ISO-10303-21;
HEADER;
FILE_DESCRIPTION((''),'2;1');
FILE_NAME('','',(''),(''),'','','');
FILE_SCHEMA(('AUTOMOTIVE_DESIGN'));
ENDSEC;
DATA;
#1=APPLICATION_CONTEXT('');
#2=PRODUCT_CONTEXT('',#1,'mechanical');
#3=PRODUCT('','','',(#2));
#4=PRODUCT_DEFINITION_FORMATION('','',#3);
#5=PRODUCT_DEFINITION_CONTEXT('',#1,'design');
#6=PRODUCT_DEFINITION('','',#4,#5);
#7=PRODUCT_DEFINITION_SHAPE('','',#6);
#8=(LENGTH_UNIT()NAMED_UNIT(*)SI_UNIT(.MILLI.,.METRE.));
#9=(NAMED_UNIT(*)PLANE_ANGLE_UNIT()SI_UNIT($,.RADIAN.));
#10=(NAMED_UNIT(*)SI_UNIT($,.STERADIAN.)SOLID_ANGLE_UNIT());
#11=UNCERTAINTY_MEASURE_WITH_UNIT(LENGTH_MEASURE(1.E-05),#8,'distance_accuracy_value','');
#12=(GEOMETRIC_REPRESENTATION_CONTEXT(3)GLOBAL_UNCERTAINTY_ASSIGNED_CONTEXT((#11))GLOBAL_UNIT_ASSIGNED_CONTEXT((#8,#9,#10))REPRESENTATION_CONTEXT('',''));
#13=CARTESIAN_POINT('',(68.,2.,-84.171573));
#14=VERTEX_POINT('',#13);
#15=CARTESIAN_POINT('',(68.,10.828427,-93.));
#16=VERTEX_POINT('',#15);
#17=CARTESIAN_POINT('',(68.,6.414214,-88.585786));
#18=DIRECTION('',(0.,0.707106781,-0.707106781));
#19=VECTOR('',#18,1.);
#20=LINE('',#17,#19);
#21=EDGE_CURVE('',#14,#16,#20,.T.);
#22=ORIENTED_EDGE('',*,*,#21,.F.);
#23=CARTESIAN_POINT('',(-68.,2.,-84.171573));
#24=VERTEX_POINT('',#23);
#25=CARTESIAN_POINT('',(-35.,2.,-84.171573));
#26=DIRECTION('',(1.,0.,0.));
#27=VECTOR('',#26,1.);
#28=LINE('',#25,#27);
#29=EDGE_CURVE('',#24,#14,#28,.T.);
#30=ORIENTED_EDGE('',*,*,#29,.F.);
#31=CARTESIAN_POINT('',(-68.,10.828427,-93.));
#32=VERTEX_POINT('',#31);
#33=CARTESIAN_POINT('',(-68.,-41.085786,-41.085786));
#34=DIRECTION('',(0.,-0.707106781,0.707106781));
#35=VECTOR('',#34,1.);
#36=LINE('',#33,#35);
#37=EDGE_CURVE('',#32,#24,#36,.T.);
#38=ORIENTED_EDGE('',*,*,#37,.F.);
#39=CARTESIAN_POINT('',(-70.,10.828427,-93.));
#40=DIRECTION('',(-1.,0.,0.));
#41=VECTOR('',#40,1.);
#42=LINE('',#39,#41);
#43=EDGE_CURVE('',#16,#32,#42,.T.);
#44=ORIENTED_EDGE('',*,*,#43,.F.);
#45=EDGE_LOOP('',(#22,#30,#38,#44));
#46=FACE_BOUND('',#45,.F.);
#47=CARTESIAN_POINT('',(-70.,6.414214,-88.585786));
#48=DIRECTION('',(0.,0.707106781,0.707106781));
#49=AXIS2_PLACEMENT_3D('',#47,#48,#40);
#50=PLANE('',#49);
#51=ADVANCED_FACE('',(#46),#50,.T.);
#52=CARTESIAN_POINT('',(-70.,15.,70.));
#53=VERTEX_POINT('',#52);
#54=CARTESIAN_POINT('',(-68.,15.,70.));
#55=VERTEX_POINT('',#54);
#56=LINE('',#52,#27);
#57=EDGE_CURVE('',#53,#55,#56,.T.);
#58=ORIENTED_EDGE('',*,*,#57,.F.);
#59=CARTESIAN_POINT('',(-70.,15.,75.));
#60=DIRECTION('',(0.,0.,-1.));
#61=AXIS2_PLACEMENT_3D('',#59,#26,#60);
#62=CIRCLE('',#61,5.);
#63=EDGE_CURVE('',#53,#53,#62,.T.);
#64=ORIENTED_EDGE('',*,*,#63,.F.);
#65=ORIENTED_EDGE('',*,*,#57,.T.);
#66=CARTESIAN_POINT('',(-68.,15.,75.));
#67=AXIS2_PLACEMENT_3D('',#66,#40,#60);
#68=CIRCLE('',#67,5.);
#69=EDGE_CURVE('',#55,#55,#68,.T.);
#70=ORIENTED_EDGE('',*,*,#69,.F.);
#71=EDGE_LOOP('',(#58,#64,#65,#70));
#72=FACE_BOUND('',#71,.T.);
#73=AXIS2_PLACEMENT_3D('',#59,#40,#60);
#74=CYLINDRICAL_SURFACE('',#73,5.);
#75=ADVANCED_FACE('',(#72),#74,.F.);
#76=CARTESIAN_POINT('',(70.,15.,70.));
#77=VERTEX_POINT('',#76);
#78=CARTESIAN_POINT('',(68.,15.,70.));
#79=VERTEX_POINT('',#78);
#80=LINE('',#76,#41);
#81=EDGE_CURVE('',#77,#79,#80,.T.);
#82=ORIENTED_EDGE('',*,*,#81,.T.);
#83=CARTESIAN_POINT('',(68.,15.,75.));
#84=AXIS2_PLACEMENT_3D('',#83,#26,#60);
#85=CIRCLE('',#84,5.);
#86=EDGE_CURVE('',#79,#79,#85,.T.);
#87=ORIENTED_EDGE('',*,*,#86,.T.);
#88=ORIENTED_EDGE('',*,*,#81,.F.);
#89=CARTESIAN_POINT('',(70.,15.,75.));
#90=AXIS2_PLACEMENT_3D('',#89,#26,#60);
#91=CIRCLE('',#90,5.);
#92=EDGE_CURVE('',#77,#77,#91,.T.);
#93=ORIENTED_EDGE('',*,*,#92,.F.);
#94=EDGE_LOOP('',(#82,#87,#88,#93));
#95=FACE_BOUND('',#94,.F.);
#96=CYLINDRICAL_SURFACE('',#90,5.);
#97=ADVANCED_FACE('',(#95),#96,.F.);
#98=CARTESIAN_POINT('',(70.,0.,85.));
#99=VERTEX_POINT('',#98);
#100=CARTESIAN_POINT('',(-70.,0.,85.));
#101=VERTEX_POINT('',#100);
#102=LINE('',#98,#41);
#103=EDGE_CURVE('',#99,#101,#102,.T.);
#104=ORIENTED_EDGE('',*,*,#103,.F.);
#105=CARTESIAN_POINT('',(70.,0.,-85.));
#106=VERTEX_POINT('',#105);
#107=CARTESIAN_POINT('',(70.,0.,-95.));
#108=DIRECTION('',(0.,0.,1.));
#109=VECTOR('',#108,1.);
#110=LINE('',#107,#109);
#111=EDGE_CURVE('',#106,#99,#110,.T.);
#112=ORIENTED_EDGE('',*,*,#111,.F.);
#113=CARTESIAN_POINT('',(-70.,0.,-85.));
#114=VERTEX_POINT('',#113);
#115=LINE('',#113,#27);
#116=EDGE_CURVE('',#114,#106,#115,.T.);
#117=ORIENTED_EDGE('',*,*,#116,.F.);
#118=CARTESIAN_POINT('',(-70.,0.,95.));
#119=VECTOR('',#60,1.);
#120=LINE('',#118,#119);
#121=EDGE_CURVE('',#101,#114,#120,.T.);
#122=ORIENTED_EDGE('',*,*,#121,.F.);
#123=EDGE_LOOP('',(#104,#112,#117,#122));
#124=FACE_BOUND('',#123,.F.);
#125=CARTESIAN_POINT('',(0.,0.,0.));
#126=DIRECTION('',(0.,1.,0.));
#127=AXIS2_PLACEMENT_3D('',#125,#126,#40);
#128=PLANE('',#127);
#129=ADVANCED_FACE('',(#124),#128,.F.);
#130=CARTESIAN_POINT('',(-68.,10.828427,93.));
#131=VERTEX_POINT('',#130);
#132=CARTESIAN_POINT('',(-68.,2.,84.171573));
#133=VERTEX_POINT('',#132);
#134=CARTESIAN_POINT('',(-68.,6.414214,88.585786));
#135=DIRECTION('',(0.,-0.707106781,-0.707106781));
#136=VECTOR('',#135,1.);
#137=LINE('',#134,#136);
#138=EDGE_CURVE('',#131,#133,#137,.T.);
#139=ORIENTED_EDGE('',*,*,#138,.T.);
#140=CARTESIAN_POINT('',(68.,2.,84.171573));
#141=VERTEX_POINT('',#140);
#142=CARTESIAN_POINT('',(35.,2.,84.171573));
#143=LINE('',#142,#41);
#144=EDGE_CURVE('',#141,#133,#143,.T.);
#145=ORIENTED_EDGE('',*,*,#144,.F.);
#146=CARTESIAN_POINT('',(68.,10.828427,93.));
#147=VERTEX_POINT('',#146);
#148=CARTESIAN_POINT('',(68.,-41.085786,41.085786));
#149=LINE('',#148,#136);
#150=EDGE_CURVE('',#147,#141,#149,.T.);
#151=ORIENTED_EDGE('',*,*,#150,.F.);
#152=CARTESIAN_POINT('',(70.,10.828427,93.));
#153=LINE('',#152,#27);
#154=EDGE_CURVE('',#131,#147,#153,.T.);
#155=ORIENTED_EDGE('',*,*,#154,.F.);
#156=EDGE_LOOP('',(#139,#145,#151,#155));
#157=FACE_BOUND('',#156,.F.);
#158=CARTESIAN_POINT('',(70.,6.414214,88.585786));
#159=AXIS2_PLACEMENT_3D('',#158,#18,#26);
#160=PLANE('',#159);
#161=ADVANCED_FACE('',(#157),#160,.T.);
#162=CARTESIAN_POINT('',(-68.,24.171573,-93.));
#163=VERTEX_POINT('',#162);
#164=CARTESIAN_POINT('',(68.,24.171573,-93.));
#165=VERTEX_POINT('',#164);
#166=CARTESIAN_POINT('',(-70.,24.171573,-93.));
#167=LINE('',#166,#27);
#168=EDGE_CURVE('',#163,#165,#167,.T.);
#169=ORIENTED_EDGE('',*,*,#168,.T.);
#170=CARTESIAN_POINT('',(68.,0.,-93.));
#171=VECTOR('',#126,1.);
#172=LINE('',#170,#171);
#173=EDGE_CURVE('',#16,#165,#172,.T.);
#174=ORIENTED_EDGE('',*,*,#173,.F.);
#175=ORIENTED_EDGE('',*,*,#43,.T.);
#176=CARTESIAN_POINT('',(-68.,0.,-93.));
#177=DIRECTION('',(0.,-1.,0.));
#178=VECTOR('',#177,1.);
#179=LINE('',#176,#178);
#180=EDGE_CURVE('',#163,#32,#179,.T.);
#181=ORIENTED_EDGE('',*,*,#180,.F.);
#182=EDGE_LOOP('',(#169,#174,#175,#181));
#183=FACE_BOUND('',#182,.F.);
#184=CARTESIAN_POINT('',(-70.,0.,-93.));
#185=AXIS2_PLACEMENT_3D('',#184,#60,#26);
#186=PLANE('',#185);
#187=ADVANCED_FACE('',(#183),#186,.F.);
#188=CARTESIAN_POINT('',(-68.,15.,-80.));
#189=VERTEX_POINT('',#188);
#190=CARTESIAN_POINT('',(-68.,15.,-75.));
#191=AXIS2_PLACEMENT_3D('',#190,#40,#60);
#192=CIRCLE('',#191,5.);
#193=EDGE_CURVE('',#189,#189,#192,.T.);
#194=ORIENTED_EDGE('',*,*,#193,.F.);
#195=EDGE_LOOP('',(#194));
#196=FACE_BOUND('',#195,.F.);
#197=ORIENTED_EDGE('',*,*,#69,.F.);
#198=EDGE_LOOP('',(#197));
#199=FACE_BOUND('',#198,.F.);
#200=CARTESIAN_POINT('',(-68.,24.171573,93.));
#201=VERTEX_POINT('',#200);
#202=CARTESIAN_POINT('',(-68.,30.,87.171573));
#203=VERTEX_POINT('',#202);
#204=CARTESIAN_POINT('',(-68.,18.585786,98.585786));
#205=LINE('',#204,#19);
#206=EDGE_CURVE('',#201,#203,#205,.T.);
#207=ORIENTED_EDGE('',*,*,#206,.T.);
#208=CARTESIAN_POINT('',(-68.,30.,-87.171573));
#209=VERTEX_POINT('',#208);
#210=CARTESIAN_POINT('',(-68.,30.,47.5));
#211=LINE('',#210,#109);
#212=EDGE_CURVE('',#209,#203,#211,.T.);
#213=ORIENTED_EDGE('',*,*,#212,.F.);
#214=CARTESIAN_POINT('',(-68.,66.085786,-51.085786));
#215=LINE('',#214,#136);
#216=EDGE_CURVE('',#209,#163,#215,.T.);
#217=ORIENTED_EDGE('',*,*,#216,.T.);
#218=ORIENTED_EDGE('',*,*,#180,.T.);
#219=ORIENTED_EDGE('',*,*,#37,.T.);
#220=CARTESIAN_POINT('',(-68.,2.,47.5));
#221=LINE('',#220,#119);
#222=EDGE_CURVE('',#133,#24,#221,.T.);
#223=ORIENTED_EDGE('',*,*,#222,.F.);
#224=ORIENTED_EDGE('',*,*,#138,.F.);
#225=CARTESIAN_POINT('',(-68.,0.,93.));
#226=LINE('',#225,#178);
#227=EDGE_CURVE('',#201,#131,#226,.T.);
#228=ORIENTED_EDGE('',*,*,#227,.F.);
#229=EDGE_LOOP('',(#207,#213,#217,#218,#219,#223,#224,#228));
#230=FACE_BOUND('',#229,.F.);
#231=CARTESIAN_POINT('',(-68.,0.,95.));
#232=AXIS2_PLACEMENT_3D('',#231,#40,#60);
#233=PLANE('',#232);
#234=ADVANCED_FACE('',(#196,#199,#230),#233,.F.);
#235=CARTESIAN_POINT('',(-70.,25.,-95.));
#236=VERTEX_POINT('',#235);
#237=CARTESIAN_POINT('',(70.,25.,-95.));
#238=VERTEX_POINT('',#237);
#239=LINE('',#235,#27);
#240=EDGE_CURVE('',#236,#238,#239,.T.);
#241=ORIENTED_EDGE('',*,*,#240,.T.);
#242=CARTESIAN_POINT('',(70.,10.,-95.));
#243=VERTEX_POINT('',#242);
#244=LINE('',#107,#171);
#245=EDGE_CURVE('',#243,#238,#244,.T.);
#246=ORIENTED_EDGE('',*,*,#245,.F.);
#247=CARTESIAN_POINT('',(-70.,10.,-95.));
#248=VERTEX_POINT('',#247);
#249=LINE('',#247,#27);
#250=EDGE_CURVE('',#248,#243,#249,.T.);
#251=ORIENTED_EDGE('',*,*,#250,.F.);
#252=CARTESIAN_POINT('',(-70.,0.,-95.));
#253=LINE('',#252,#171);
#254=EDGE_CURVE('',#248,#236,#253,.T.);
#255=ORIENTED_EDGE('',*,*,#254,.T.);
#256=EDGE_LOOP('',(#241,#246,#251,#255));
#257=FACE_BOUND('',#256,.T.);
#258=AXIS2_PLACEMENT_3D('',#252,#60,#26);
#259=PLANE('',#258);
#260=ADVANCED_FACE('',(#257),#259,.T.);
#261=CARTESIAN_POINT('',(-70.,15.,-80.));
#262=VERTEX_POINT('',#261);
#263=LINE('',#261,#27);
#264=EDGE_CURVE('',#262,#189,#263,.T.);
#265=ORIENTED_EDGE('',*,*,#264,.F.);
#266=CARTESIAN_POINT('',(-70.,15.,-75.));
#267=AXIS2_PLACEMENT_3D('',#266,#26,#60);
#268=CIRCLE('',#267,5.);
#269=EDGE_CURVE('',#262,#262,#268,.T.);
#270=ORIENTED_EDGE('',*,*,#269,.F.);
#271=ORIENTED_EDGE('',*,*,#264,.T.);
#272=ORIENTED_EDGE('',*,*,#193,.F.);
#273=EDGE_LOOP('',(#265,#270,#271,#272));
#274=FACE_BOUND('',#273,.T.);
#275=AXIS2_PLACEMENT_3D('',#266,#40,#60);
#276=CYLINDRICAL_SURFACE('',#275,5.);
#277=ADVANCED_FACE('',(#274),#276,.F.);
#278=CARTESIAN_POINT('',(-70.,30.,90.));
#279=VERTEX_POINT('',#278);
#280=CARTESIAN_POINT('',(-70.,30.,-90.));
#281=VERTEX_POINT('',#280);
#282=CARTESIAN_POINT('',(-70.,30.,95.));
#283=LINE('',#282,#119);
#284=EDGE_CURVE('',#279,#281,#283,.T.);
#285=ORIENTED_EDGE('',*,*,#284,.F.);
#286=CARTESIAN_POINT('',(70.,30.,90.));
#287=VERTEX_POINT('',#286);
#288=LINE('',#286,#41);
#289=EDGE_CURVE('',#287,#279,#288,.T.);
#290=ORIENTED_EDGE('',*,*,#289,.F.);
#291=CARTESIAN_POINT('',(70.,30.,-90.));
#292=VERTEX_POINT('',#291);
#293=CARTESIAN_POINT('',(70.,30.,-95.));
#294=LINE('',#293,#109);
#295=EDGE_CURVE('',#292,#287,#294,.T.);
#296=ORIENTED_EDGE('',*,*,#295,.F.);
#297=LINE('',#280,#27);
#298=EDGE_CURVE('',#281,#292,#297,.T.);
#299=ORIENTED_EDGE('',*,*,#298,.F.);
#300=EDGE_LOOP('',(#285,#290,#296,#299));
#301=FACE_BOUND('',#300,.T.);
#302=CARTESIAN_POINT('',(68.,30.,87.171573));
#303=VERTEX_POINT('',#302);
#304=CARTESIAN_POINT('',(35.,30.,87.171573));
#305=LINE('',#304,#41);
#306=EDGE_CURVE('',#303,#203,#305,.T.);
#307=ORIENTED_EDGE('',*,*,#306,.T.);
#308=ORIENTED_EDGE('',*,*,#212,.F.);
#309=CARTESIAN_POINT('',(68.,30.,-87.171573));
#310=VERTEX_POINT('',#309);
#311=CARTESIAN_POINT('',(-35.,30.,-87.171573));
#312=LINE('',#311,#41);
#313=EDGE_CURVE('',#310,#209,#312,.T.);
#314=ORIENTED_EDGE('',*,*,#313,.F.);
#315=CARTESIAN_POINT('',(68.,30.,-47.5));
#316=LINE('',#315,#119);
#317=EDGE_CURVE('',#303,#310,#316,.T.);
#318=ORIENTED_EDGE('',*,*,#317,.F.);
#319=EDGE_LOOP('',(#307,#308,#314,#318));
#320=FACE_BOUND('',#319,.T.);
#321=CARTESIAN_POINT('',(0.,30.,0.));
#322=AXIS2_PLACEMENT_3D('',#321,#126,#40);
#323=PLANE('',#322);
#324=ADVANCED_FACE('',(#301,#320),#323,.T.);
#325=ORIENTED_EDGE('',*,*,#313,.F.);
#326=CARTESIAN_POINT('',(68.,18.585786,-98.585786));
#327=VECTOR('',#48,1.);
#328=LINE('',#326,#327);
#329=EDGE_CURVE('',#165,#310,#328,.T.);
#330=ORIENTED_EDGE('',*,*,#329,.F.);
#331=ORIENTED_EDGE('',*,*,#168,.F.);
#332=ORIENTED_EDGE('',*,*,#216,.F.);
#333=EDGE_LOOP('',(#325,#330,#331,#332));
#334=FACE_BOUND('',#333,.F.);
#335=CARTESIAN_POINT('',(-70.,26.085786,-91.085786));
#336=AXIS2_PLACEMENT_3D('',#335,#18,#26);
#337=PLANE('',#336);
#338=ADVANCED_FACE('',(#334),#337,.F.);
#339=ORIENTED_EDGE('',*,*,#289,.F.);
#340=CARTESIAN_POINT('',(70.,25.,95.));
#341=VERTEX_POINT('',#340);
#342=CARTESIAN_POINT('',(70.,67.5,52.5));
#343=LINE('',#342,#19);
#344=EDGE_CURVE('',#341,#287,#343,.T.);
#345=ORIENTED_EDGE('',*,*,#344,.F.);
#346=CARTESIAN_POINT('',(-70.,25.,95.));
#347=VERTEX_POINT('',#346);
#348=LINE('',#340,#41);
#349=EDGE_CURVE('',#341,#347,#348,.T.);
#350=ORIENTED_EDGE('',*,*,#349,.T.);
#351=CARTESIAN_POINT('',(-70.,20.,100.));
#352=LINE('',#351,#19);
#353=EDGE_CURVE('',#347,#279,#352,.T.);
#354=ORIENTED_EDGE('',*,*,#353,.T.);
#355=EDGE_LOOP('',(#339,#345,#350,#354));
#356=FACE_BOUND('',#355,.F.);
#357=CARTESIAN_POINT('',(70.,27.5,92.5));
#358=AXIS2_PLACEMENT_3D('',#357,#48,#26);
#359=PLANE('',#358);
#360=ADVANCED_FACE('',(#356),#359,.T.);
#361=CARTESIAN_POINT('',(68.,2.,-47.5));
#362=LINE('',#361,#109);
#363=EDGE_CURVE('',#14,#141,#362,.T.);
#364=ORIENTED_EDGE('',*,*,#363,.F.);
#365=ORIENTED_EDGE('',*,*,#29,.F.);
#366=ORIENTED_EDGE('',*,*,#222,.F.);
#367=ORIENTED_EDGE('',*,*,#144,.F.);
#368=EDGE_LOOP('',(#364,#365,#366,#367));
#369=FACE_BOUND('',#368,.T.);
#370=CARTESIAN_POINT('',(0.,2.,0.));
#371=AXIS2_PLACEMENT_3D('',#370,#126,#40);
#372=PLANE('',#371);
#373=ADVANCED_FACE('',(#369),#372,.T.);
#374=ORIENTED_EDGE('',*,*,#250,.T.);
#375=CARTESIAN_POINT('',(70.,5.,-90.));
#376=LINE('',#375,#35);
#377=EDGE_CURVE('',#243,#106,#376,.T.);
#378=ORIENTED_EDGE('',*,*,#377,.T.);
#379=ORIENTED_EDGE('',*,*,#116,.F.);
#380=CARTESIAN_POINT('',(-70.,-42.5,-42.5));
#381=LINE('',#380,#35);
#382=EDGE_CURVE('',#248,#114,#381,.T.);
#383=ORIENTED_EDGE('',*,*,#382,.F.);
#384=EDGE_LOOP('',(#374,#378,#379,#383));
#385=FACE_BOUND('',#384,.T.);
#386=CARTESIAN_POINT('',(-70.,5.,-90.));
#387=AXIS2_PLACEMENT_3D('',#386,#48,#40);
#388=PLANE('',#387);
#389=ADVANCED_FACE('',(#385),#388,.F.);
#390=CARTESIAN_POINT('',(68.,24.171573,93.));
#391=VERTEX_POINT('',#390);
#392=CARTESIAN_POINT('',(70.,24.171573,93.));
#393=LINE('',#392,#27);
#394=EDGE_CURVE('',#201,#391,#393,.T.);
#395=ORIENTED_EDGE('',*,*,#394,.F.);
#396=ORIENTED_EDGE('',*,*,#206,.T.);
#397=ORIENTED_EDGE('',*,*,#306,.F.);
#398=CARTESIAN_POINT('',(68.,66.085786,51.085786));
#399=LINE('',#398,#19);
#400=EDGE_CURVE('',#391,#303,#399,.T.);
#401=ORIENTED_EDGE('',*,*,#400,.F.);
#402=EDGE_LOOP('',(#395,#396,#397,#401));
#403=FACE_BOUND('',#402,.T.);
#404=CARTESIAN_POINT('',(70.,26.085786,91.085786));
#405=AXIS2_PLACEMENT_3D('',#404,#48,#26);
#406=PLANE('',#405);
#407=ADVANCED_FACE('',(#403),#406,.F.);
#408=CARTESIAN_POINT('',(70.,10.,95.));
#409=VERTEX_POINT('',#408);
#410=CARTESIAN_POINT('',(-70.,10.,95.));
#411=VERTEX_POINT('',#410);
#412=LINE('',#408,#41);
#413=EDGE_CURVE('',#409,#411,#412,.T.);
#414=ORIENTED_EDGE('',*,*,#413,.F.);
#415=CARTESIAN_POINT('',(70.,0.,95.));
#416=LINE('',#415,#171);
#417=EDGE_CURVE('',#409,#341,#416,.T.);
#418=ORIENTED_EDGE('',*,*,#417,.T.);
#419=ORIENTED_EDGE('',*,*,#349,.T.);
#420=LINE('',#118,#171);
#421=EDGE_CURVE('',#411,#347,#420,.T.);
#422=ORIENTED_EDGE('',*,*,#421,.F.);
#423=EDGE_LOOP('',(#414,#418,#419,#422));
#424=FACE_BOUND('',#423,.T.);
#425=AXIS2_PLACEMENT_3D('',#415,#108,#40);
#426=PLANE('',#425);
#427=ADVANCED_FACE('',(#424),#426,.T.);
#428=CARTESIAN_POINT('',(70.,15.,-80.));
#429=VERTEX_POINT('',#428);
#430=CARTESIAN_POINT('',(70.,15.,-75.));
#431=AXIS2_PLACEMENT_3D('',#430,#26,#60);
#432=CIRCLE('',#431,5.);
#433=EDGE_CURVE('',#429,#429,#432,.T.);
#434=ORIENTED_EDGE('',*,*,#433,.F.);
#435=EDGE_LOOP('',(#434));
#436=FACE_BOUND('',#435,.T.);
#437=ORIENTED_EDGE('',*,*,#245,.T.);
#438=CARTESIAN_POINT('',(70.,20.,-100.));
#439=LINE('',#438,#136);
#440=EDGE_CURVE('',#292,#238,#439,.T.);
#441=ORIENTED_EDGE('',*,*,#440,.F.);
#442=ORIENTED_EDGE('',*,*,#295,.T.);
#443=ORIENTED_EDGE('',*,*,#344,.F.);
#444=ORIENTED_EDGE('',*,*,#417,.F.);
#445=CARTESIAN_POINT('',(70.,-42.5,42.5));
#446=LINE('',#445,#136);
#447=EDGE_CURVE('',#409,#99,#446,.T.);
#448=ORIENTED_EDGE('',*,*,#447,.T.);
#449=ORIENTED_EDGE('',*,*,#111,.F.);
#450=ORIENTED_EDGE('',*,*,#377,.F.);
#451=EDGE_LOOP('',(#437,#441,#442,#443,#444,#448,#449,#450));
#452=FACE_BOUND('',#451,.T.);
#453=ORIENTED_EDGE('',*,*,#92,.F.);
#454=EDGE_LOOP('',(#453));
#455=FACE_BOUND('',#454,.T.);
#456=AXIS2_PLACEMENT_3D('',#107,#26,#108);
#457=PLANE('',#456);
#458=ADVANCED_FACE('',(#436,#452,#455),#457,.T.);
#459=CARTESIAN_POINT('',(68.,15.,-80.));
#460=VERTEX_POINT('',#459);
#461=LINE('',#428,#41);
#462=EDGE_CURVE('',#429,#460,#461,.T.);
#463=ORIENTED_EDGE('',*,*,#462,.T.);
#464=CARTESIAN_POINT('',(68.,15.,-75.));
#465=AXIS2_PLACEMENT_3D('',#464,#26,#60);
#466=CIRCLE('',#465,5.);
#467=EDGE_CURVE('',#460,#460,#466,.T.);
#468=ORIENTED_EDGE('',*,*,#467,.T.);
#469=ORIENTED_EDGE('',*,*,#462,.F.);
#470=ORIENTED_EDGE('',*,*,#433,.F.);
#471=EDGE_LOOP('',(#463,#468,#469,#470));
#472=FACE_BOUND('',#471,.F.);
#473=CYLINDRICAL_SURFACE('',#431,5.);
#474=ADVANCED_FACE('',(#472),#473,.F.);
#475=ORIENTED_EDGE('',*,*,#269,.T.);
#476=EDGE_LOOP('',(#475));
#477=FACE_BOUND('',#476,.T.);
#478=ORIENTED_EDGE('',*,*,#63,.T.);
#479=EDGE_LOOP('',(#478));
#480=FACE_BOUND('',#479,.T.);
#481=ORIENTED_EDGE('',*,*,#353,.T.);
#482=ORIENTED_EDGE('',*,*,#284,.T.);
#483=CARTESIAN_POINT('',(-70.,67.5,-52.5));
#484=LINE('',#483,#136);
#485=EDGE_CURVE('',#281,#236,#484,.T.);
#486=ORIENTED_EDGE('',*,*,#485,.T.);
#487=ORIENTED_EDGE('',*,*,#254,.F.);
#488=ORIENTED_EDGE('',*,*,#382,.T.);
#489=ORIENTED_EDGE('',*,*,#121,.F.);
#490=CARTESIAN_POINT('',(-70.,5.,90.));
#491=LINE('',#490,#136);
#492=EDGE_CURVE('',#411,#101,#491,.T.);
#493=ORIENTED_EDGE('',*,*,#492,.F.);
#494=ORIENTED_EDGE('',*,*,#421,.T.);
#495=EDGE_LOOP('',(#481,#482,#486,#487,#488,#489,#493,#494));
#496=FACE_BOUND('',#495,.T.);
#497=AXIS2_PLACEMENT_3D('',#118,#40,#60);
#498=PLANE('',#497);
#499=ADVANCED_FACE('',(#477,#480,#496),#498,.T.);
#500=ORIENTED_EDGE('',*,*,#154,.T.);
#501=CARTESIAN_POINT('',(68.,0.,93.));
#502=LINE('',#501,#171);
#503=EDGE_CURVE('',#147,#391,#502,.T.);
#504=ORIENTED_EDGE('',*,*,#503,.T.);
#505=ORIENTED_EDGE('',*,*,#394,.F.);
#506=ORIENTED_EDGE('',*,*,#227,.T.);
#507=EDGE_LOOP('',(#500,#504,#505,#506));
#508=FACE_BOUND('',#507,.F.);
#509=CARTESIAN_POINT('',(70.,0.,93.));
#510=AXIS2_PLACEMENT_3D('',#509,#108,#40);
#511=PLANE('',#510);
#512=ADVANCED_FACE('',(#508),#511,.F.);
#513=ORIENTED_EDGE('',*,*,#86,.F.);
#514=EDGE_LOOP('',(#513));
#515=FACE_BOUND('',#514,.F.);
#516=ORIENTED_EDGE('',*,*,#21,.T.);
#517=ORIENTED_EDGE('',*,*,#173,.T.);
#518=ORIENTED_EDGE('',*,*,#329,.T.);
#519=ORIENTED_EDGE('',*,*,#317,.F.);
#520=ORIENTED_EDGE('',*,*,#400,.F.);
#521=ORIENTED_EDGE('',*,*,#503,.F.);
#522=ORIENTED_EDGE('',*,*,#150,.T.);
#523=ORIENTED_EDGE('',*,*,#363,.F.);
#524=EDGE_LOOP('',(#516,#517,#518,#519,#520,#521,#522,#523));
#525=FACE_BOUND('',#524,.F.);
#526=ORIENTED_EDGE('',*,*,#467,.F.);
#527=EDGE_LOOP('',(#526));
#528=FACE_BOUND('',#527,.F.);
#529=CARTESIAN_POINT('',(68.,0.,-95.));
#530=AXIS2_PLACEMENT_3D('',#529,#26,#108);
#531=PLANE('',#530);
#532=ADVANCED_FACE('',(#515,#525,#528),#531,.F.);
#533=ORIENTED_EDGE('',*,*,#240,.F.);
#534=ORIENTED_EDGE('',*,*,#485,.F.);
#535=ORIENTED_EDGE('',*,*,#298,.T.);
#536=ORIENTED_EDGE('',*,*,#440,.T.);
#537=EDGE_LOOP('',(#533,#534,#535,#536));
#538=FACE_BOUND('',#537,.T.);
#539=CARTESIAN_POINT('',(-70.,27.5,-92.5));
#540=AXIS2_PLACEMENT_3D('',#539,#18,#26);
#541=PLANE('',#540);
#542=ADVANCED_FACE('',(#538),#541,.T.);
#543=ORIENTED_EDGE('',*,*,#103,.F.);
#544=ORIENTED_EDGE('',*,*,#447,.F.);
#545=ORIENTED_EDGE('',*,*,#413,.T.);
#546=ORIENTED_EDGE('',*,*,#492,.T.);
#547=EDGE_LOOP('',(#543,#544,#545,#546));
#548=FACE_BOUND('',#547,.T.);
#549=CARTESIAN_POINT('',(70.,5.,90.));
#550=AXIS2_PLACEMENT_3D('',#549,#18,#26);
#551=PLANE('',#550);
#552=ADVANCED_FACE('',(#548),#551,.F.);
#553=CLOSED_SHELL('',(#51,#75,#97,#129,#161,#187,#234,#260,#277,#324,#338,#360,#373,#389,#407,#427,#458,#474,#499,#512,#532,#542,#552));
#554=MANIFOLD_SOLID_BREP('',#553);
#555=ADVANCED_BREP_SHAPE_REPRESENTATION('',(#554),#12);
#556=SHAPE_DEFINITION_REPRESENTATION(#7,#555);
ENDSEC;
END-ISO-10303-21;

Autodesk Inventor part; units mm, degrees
ref_plane "YZ Plane" through (0, 0, 0) normal (1, 0, 0) x (0, 1, 0)
ref_plane "XZ Plane" through (0, 0, 0) normal (0, 1, 0) x (-1, 0, 0)
ref_plane "XY Plane" through (0, 0, 0) normal (0, 0, 1) x (1, 0, 0)
sketch "Esquisse1" plane through (0, 0, 0) normal (0, 1, 0) x (-1, 0, 0)
  line L0 (-70, 95) -> (70, 95)
  line L1 (70, 95) -> (70, -95)
  line L2 (70, -95) -> (-70, -95)
  line L3 (-70, -95) -> (-70, 95)
  line L4 (-70, 95) -> (70, -95) construction
  line L5 (70, 95) -> (-70, -95) construction
  point P0 (0, 0)
  dimension "d0" = 140
  dimension "d1" = 190
extrude "Extrusion1" add sketch "Esquisse1" along normal blind 30
chamfer "Chanfrein1" distance 10 angle 45 2 edges at (0, 0, 95) (0, 0, -95)
chamfer "Chanfrein2" distance 5 angle 45 2 edges at (0, 30, 95) (0, 30, -95)
shell "Coque1" thickness 2 removed faces 1 at (23.3333, 30, 30)
sketch "Esquisse2" plane through (70, 0, 85) normal (1, 0, 0) x (0, 0, -1)
  line L0 (-10, 10) -> (-10, 25) projected
  line L1 (180, 10) -> (180, 25) projected
  line L2 (-5, 30) -> (175, 30) projected
  line L3 (170, 0) -> (0, 0) projected
  circle A0 centre (10, 15) radius 5
  line L4 (85, 0) -> (85, 30)
  circle A1 centre (160, 15) radius 5
  dimension "d11" = 10
  dimension "d12" = 20
  dimension "d13" = 15
extrude "Extrusion2" cut sketch "Esquisse2" against normal blind 3
ref_plane "Plan de construction1" through (0, 0, 85) normal (1, 0, 0) x (0, 0, -1)
mirror "Symétrie1" about plane through (0, 0, 85) normal (1, 0, 0) of "Extrusion2"
properties part number "Chassis"
